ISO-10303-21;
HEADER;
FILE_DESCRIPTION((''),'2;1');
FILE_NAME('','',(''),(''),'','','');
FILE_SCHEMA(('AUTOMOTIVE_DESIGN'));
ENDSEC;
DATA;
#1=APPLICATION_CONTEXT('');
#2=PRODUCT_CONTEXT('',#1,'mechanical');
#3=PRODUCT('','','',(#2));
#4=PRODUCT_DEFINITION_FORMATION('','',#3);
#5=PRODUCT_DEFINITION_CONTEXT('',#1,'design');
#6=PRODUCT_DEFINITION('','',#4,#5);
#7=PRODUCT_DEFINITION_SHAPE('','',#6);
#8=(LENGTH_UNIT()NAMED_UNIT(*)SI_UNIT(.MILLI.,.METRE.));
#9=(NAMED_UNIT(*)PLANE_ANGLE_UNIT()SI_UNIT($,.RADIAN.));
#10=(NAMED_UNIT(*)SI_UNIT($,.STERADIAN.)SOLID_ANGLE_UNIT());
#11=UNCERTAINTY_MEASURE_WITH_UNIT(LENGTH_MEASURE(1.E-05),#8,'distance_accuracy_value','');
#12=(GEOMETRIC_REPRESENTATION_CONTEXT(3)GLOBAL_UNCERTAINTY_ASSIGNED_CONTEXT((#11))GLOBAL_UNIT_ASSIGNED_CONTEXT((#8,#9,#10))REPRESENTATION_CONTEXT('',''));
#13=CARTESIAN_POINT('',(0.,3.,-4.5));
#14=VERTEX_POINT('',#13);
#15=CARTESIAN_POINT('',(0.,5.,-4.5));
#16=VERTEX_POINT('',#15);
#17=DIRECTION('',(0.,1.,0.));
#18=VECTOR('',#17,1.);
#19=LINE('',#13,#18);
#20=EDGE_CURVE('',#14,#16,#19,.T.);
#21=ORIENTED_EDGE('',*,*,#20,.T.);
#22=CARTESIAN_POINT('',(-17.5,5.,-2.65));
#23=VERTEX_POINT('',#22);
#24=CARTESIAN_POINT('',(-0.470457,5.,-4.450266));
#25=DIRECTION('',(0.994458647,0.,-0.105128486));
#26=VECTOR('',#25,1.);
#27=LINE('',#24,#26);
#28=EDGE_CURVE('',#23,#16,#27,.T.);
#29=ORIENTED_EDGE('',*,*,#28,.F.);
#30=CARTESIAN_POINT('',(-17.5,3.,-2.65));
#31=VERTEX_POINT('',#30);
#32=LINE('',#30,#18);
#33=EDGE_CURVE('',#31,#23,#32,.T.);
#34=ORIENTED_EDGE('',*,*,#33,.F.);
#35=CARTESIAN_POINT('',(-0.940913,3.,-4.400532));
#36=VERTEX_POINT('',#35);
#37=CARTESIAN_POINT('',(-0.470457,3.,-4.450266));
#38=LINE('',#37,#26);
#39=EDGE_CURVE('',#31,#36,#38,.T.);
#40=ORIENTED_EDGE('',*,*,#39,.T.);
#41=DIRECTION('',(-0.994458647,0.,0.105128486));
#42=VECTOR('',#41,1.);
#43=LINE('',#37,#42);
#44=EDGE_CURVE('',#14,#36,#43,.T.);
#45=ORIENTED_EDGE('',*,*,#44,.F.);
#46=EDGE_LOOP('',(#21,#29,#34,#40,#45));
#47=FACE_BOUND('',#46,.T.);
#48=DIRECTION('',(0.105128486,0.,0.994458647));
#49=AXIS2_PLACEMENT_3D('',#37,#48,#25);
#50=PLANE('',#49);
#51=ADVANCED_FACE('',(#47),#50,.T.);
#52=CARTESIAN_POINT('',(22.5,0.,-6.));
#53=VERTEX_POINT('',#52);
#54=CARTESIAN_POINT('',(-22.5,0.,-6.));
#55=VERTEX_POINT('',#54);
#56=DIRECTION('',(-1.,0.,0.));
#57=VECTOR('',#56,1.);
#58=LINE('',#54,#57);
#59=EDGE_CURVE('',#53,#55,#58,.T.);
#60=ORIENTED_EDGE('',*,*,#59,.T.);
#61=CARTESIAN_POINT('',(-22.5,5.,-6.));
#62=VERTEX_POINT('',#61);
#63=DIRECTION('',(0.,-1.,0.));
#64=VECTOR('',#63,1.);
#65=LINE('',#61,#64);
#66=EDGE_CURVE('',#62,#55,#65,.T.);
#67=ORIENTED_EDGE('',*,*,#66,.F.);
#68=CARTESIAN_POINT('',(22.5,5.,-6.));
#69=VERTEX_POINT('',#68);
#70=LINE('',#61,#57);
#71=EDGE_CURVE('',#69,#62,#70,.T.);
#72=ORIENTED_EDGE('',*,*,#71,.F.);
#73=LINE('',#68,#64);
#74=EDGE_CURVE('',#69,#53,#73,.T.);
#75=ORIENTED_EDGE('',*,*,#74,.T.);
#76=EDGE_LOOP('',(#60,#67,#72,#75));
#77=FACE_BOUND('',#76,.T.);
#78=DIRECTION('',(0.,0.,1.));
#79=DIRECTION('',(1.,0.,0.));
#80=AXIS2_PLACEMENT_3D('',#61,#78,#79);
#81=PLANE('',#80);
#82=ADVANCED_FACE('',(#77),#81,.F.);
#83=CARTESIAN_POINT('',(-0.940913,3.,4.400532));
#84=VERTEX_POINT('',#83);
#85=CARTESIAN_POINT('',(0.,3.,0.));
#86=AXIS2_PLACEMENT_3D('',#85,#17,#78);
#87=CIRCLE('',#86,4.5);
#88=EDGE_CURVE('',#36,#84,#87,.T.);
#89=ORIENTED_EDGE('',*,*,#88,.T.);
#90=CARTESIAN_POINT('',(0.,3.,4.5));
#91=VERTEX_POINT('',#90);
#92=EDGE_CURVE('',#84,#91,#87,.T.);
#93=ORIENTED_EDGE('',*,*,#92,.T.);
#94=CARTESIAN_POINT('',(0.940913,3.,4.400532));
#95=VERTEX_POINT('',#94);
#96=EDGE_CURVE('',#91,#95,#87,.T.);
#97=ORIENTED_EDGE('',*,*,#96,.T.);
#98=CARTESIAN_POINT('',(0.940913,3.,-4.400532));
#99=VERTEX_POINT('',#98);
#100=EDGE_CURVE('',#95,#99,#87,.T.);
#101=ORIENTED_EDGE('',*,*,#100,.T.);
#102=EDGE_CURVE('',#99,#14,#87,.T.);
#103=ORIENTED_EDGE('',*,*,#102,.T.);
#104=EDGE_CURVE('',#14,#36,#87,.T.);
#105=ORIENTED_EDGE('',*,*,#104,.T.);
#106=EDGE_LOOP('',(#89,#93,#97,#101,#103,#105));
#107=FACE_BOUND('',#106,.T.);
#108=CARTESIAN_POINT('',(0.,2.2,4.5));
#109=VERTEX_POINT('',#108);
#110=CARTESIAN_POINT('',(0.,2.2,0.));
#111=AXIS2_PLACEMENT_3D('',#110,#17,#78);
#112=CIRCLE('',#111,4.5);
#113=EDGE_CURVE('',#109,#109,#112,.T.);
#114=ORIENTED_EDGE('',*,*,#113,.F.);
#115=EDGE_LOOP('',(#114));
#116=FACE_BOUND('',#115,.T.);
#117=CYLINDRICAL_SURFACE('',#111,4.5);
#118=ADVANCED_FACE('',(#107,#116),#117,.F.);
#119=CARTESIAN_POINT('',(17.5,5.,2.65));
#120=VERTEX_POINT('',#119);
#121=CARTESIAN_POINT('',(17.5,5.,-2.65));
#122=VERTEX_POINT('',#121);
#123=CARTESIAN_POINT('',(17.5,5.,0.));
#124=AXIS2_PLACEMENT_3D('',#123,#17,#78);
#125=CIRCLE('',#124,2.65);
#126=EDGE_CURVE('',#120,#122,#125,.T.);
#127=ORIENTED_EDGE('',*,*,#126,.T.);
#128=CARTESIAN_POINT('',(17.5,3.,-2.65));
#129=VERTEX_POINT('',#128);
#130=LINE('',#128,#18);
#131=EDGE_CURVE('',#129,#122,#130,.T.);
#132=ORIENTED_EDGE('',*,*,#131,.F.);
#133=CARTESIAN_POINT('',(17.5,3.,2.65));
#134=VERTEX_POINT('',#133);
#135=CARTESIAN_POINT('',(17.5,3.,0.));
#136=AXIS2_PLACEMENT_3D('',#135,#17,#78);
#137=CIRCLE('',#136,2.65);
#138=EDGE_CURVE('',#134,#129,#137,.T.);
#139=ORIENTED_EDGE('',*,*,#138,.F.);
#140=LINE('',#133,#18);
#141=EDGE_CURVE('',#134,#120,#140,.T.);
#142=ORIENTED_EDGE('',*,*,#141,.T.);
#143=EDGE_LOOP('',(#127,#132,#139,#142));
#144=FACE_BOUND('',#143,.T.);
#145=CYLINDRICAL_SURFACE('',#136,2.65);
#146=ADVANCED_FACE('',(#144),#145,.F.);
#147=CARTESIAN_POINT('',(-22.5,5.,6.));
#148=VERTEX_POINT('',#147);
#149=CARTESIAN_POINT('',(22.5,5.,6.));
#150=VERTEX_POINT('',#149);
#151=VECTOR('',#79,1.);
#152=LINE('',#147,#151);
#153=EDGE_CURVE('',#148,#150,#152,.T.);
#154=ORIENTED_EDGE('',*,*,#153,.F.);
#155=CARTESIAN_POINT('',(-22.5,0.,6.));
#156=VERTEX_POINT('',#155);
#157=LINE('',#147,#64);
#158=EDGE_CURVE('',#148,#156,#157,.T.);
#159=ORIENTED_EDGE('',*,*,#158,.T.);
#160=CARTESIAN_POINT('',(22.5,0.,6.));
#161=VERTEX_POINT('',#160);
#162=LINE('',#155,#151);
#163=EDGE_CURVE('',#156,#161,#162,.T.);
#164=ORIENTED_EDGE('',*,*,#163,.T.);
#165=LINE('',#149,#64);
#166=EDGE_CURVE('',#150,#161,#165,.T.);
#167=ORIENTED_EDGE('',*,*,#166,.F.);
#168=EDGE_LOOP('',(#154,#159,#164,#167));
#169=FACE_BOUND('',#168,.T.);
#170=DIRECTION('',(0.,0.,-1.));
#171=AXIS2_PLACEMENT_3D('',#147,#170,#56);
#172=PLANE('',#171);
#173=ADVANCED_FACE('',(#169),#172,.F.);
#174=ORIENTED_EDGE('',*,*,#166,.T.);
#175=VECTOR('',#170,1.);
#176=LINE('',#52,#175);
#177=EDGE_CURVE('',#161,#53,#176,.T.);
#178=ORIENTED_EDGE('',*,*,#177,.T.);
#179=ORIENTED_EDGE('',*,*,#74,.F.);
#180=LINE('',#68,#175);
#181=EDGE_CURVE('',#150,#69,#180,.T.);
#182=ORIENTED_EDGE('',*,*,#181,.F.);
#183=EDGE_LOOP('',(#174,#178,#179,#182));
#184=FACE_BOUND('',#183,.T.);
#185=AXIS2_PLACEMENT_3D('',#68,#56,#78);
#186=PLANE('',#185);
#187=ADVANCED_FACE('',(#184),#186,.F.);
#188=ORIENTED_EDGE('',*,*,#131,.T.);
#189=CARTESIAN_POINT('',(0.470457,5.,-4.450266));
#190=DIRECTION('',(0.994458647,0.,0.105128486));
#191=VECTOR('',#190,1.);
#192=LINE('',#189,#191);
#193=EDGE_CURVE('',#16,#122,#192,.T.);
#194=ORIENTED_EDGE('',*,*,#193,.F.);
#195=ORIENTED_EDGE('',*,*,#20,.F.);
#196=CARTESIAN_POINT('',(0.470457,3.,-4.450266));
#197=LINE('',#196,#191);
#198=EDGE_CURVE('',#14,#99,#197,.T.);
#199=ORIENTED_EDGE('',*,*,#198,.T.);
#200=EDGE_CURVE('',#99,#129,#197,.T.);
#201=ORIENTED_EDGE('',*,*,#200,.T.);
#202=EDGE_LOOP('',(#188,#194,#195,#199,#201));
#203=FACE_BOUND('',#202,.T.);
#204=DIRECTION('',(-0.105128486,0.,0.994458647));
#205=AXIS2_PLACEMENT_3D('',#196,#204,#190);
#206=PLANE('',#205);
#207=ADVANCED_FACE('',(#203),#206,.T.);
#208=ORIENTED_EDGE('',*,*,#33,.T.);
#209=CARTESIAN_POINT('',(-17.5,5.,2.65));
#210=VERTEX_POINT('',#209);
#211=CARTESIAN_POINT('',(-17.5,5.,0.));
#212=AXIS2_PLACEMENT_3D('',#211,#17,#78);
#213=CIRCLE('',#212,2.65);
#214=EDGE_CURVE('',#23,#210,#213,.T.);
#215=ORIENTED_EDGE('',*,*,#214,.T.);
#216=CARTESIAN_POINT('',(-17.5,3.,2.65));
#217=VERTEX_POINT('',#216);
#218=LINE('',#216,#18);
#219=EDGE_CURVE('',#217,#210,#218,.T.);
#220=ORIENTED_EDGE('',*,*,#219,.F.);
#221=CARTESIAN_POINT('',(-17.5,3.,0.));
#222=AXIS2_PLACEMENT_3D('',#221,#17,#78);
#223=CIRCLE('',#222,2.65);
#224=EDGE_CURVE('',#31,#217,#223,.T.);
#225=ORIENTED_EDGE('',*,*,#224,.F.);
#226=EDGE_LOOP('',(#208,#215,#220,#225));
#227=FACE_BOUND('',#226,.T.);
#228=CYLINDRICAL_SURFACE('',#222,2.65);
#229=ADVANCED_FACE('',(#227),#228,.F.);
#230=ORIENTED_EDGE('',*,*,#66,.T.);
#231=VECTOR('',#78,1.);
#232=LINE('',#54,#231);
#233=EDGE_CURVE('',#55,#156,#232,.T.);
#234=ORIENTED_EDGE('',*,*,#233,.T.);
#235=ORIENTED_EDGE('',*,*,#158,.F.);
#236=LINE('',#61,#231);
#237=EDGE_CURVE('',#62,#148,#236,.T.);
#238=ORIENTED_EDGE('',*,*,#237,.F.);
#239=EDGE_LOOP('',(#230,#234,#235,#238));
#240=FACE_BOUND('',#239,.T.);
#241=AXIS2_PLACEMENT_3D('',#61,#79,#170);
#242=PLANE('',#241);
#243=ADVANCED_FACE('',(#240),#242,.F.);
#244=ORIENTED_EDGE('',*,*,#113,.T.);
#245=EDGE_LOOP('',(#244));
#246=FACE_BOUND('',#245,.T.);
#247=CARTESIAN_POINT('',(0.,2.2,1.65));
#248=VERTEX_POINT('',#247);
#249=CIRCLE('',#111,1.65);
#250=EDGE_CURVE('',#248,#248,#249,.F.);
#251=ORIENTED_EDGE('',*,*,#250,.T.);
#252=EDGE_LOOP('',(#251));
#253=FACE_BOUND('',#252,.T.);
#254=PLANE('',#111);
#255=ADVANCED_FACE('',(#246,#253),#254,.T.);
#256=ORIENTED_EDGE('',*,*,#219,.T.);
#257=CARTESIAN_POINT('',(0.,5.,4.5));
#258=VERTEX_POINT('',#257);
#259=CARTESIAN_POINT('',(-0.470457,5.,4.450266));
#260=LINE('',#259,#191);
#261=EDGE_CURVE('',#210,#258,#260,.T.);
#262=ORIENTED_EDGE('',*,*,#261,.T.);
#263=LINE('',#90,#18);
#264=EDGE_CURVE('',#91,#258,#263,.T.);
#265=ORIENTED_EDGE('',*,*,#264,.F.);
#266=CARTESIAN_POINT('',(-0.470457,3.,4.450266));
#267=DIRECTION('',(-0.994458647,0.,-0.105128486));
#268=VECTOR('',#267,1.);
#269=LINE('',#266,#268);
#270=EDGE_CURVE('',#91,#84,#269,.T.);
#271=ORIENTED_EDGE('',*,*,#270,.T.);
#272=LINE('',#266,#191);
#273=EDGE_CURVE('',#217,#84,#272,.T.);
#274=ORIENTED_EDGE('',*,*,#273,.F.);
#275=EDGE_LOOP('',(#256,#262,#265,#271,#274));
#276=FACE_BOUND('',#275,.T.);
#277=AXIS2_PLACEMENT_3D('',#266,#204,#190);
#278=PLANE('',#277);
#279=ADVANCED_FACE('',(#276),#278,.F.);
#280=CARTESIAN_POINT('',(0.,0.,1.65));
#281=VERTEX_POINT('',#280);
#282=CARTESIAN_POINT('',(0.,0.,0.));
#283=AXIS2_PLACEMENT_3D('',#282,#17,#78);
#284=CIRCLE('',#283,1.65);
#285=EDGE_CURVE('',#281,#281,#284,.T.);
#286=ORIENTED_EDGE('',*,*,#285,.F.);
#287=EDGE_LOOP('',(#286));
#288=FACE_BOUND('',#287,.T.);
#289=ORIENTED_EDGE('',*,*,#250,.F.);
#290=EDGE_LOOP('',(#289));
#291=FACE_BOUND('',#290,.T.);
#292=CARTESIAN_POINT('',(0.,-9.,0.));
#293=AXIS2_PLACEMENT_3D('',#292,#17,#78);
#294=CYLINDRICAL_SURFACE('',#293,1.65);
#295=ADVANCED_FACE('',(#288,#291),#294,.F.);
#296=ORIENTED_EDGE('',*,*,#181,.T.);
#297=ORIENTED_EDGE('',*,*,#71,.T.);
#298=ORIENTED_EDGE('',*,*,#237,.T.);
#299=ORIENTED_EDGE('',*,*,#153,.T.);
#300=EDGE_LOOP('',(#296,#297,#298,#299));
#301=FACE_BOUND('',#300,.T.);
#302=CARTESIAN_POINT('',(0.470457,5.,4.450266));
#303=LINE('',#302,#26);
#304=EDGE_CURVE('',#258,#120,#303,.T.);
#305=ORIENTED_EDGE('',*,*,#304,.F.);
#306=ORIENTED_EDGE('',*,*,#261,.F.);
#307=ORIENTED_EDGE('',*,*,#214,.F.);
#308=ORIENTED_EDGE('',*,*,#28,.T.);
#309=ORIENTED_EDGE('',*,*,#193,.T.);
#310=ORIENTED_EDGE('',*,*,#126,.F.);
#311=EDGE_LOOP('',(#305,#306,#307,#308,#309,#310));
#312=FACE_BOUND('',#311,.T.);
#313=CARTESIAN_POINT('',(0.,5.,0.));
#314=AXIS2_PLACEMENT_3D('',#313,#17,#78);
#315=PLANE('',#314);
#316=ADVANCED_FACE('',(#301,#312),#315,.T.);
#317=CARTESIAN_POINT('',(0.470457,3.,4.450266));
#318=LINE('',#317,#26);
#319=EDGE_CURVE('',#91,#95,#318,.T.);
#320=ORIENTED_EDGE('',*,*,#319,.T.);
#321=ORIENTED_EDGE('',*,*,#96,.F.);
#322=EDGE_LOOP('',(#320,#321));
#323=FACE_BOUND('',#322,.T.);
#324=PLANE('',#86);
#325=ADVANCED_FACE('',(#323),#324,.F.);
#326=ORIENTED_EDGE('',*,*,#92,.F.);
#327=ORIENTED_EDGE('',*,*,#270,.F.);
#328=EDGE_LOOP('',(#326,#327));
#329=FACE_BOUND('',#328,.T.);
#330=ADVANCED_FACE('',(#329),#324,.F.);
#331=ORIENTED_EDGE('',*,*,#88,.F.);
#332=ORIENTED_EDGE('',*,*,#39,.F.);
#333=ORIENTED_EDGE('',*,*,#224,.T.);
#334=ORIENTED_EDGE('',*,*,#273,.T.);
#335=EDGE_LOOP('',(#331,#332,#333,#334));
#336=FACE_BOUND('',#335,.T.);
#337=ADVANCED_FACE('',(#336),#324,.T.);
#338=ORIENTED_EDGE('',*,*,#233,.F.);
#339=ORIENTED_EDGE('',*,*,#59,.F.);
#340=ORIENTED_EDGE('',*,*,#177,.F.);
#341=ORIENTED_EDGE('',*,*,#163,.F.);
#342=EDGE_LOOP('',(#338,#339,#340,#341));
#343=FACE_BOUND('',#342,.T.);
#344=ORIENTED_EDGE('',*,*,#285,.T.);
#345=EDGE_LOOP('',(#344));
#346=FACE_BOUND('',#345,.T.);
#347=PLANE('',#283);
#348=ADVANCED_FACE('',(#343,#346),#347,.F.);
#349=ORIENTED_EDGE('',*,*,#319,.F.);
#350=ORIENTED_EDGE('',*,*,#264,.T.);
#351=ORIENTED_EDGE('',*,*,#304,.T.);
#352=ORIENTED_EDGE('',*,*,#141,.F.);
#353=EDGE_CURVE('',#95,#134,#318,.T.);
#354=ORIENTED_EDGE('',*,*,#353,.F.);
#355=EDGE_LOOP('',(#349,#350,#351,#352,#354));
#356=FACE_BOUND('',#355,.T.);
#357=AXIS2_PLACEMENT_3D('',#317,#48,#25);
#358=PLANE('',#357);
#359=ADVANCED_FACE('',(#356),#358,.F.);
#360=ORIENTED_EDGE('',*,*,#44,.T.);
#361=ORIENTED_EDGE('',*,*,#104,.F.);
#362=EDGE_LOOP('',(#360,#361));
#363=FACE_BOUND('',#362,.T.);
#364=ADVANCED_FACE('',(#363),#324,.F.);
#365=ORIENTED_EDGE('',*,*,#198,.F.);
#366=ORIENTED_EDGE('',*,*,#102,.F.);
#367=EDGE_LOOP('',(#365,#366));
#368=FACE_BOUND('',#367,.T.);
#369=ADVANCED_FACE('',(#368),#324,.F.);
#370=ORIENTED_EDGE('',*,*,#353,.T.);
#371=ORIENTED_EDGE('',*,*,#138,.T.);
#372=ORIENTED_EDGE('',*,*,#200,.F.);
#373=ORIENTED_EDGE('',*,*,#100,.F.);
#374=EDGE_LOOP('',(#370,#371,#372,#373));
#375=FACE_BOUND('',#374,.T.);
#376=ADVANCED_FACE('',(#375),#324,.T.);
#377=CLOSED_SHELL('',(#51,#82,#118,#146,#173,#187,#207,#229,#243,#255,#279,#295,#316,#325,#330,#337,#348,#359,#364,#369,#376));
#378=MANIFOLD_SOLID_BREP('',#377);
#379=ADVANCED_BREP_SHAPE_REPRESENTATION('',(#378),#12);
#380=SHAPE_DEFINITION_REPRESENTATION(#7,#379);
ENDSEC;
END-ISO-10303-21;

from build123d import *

# Parameters (mm, degrees)
SKETCH1_W           = 45
SKETCH1_H           = 12
BOSS_EXTRUDE1_DEPTH = 5
SKETCH2_R           = 2.65
CUT_EXTRUDE1_DEPTH  = 2
SKETCH3_R           = 1.65
CUT_EXTRUDE2_DEPTH  = 12
SKETCH4_R           = 4.5
CUT_EXTRUDE3_DEPTH  = 0.8


with BuildPart() as part:
    # Sketch1 → Boss-Extrude1 (new body)
    with BuildSketch(Plane(origin=(0, 0, 0), x_dir=(1, 0, 0), z_dir=(0, 1, 0))):
        Rectangle(SKETCH1_W, SKETCH1_H)
    extrude(amount=BOSS_EXTRUDE1_DEPTH)

    # Sketch2 → Cut-Extrude1 (cut)
    with BuildSketch(Plane(origin=(0, 5, 0), x_dir=(1, 0, 0), z_dir=(0, 1, 0))):
        with Locations((-17.5, 0)):
            Circle(SKETCH2_R)
        with BuildLine():
            Line((-0.940913384, 4.400532014), (-17.5, 2.65))
            ThreePointArc((-17.5, 2.65), (-15.62616703, 1.87383297), (-14.85, 0))
            ThreePointArc((-14.85, 0), (-15.62616703, -1.87383297), (-17.5, -2.65))
            Line((-17.5, -2.65), (-0.940913384, -4.400532014))
            ThreePointArc((-0.940913384, -4.400532014), (-4.5, 0), (-0.940913384, 4.400532014))
        make_face()
        with BuildLine():
            Line((0, 4.5), (-0.940913384, 4.400532014))
            ThreePointArc((-0.940913384, 4.400532014), (-4.5, 0), (-0.940913384, -4.400532014))
            Line((-0.940913384, -4.400532014), (0, -4.5))
            Line((0, -4.5), (0.940913384, -4.400532014))
            ThreePointArc((0.940913384, -4.400532014), (3.498864832, -2.829831247), (4.5, 0))
            ThreePointArc((4.5, 0), (3.498864832, 2.829831247), (0.940913384, 4.400532014))
            Line((0.940913384, 4.400532014), (0, 4.5))
        make_face()
        with BuildLine():
            Line((17.5, 2.65), (0.940913384, 4.400532014))
            ThreePointArc((0.940913384, 4.400532014), (3.498864832, 2.829831247), (4.5, 0))
            ThreePointArc((4.5, 0), (3.498864832, -2.829831247), (0.940913384, -4.400532014))
            Line((0.940913384, -4.400532014), (17.5, -2.65))
            ThreePointArc((17.5, -2.65), (14.85, 0), (17.5, 2.65))
        make_face()
        with Locations((17.5, 0)):
            Circle(SKETCH2_R)
    extrude(amount=-CUT_EXTRUDE1_DEPTH, mode=Mode.SUBTRACT)

    # Sketch3 → Cut-Extrude2 (cut)
    with BuildSketch(Plane(origin=(0, 3, 0), x_dir=(1, 0, 0), z_dir=(0, 1, 0))):
        with Locations(Location((0, 0, 0), (0, 0, 270))):
            Circle(SKETCH3_R)
    extrude(amount=-CUT_EXTRUDE2_DEPTH, mode=Mode.SUBTRACT)

    # Sketch4 → Cut-Extrude3 (cut)
    with BuildSketch(Plane(origin=(0, 3, 0), x_dir=(1, 0, 0), z_dir=(0, 1, 0))):
        with Locations(Location((0, 0, 0), (0, 0, 270))):
            Circle(SKETCH4_R)
    extrude(amount=-CUT_EXTRUDE3_DEPTH, mode=Mode.SUBTRACT)


solid = part.part
